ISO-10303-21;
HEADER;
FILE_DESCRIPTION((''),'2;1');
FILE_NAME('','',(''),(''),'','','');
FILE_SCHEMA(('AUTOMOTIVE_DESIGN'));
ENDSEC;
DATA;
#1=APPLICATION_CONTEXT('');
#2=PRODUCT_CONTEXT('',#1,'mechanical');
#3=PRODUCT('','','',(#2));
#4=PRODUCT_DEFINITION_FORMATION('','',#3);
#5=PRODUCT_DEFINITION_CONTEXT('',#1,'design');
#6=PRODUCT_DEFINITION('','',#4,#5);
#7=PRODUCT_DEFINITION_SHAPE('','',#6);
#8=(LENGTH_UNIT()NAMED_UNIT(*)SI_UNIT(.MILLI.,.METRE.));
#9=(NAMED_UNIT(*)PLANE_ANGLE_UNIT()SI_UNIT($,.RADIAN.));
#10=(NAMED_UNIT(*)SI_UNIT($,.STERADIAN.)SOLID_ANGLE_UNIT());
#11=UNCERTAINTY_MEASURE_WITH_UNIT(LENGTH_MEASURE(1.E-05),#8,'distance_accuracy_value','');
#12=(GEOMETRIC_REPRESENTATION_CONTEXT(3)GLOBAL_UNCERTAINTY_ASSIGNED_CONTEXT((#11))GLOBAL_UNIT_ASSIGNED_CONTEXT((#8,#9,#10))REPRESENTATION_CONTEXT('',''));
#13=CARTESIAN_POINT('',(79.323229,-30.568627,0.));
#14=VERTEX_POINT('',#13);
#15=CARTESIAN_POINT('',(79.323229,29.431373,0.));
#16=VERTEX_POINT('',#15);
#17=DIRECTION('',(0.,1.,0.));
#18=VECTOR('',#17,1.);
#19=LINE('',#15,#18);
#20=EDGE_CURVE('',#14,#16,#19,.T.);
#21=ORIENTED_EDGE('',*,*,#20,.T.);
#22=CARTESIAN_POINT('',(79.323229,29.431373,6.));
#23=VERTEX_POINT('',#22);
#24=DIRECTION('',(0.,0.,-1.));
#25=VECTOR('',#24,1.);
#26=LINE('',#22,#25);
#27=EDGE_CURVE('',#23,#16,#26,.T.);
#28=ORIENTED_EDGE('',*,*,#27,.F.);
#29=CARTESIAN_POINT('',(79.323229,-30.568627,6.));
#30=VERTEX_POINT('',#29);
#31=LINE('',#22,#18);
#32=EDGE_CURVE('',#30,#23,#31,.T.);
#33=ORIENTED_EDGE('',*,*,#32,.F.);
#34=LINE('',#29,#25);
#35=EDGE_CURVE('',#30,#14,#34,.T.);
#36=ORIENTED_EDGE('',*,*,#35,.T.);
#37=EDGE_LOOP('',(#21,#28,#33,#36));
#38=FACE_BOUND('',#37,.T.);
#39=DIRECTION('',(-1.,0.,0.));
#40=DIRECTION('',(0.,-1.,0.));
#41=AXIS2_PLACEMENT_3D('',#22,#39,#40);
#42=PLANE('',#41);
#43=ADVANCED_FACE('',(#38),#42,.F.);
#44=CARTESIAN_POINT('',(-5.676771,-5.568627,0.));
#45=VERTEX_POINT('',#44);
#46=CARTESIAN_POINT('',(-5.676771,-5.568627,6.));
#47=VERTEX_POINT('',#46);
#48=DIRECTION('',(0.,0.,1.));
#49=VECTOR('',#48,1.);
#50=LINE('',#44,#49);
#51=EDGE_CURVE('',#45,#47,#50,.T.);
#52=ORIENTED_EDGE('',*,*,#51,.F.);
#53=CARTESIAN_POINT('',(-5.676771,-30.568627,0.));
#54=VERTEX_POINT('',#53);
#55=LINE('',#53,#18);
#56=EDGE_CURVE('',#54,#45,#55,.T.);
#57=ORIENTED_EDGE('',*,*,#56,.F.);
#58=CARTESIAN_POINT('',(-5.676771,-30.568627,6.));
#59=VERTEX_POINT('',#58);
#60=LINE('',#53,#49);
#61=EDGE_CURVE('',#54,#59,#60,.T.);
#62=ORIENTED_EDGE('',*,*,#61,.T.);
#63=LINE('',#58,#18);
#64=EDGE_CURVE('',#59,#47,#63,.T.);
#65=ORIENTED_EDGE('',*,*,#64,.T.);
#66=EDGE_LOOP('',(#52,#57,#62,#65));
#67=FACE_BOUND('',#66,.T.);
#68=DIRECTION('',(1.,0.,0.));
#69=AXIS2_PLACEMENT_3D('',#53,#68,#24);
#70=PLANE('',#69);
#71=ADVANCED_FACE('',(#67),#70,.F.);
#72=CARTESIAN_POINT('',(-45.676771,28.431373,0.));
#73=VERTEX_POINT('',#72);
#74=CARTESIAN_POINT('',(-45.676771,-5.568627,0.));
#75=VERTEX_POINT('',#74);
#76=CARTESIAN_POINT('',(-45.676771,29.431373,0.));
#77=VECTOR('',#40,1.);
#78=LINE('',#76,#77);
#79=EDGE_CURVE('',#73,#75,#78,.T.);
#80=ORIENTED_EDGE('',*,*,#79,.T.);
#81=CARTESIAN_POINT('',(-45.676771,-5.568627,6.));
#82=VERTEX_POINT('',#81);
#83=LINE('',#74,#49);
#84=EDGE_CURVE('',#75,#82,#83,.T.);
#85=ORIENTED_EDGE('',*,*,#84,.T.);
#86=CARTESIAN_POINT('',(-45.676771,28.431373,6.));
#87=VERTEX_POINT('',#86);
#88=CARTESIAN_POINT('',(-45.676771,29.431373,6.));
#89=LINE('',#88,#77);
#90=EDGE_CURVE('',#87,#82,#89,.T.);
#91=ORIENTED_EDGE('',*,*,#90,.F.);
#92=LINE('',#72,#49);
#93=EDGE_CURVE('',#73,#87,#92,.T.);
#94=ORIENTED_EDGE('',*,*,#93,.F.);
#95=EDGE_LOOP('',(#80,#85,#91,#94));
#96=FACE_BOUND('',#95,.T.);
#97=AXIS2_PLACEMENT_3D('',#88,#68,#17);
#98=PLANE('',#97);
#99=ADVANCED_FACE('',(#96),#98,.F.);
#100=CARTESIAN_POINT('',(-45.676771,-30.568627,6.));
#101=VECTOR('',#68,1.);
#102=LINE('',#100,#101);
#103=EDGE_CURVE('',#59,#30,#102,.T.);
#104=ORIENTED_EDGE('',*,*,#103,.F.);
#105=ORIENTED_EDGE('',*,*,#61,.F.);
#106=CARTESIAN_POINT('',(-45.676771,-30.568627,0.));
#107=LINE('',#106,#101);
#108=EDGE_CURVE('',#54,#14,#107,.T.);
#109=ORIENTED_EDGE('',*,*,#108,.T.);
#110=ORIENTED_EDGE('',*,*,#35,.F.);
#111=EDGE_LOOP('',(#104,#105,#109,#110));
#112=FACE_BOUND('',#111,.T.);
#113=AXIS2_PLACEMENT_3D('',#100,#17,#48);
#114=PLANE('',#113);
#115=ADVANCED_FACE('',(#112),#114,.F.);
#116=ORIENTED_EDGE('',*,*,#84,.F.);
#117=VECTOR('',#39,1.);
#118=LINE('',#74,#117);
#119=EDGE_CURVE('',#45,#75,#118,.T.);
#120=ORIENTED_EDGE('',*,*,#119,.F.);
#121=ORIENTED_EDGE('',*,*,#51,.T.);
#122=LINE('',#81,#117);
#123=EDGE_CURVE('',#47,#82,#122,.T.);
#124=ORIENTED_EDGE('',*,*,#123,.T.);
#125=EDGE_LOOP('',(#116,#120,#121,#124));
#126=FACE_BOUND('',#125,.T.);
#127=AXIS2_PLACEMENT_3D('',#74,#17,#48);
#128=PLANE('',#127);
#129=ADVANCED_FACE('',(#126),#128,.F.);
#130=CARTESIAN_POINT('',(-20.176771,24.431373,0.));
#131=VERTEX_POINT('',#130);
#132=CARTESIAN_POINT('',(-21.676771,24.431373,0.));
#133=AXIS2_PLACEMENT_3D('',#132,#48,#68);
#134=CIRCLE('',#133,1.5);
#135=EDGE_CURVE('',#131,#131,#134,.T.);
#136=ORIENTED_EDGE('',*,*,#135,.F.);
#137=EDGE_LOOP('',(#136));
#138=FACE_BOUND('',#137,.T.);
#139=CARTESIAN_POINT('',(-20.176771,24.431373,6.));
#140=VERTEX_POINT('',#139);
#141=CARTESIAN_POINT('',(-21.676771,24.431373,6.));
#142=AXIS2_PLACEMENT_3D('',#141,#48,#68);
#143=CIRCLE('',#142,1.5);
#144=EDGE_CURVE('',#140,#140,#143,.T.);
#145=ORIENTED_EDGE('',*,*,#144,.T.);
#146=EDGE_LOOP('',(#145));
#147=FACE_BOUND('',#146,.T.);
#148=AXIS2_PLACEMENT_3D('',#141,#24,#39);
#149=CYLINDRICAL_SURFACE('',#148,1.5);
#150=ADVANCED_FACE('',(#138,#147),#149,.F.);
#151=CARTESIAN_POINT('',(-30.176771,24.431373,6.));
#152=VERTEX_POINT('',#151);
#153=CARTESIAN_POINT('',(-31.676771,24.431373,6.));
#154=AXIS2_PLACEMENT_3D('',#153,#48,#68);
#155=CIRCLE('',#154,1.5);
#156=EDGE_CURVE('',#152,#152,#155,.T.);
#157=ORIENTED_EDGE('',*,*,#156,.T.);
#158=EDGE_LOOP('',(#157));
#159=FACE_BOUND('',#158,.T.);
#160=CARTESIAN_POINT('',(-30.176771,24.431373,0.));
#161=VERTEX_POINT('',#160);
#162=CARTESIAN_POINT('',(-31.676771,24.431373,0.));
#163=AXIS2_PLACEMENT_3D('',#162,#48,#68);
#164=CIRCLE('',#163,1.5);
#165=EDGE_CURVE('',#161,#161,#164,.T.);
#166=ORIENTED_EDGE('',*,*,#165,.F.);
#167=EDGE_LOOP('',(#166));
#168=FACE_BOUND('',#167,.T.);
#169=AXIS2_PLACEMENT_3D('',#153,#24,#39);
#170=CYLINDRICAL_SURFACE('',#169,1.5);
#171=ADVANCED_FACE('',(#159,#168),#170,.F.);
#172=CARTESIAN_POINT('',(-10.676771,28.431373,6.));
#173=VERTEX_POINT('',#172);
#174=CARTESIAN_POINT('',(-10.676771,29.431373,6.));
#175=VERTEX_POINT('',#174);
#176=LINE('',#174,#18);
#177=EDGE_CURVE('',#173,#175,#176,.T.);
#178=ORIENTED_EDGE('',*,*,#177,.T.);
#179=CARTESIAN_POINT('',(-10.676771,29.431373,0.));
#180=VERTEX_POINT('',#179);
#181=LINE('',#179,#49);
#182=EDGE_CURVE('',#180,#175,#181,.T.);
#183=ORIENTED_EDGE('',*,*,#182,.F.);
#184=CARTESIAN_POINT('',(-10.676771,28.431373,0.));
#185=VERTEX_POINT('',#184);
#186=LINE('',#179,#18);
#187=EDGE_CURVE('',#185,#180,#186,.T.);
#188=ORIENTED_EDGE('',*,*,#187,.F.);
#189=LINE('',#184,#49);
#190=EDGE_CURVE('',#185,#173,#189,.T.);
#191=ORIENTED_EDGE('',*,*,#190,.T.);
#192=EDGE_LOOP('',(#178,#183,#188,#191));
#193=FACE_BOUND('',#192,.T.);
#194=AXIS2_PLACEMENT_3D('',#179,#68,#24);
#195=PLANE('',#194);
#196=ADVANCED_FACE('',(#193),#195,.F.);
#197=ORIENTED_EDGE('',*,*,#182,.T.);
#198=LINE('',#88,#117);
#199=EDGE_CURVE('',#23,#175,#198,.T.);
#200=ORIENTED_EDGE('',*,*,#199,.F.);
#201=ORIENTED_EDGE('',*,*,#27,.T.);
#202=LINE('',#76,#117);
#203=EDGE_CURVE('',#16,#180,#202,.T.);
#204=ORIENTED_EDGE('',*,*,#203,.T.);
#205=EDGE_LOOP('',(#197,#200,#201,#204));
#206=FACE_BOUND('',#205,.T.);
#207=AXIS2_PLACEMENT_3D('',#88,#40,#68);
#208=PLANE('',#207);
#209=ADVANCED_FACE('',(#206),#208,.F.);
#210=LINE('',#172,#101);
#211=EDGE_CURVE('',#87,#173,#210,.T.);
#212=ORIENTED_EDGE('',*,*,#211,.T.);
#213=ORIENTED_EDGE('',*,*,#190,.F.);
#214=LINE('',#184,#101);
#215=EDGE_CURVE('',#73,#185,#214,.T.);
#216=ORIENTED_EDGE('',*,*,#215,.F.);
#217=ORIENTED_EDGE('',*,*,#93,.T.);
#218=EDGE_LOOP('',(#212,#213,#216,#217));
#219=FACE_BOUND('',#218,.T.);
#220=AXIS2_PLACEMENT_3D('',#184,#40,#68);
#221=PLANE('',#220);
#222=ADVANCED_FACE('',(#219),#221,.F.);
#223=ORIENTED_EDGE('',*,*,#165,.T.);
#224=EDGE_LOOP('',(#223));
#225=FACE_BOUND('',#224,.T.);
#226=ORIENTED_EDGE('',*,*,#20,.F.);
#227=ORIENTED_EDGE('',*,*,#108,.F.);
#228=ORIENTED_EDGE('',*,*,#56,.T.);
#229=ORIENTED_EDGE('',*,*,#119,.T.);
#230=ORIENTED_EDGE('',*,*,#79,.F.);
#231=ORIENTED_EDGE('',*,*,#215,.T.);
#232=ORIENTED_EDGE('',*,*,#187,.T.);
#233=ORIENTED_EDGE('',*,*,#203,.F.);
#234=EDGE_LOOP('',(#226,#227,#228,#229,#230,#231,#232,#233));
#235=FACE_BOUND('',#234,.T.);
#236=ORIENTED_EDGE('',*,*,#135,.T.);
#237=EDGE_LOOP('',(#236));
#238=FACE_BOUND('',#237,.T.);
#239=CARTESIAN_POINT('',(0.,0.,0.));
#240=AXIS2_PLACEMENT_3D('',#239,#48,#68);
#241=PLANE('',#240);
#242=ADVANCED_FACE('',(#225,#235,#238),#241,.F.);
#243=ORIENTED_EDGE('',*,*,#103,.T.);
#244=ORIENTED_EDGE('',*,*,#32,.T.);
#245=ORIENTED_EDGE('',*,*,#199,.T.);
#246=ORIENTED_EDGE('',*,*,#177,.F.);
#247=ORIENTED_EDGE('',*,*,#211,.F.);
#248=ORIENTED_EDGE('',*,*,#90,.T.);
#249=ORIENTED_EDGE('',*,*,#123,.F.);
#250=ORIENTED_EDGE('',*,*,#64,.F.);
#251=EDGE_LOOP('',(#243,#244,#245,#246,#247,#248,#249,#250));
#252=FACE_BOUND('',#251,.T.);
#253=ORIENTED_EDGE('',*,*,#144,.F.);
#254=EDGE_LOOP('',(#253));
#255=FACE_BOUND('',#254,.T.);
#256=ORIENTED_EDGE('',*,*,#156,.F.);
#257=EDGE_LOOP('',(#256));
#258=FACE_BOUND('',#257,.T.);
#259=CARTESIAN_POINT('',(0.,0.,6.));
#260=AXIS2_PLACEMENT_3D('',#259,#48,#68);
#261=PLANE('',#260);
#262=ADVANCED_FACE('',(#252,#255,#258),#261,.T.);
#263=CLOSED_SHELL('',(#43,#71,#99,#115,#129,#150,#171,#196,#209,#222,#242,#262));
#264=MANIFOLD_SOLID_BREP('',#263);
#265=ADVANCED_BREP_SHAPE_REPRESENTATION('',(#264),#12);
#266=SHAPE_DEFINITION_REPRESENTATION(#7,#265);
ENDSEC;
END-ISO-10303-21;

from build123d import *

# Parameters (mm, degrees)
ESQUISSE1_W             = 125
ESQUISSE1_H             = 60
ESQUISSE1_R             = 1.5
BOSS_EXTRU_1_DEPTH      = 6
ESQUISSE2_W             = 40
ESQUISSE2_H             = 25
ESQUISSE2_W_2           = 35
ESQUISSE2_H_2           = 1
ENL_V_MAT_EXTRU_1_DEPTH = 6


with BuildPart() as part:
    # Esquisse1 → Boss.-Extru.1 (new body)
    with BuildSketch(Plane.XY):
        with Locations((16.823229439, -0.568627451)):
            Rectangle(ESQUISSE1_W, ESQUISSE1_H)
        with Locations((-31.676770561, 24.431372549)):
            Circle(ESQUISSE1_R, mode=Mode.SUBTRACT)
        with Locations((-21.676770561, 24.431372549)):
            Circle(ESQUISSE1_R, mode=Mode.SUBTRACT)
    extrude(amount=BOSS_EXTRU_1_DEPTH)

    # Esquisse2 → Enlèv. mat.-Extru.1 (cut)
    with BuildSketch(Plane.XY.offset(6)):
        with Locations((-25.676770561, -18.068627451)):
            Rectangle(ESQUISSE2_W, ESQUISSE2_H)
        with Locations((-28.176770561, 28.931372549)):
            Rectangle(ESQUISSE2_W_2, ESQUISSE2_H_2)
    extrude(amount=-ENL_V_MAT_EXTRU_1_DEPTH, mode=Mode.SUBTRACT)


solid = part.part
